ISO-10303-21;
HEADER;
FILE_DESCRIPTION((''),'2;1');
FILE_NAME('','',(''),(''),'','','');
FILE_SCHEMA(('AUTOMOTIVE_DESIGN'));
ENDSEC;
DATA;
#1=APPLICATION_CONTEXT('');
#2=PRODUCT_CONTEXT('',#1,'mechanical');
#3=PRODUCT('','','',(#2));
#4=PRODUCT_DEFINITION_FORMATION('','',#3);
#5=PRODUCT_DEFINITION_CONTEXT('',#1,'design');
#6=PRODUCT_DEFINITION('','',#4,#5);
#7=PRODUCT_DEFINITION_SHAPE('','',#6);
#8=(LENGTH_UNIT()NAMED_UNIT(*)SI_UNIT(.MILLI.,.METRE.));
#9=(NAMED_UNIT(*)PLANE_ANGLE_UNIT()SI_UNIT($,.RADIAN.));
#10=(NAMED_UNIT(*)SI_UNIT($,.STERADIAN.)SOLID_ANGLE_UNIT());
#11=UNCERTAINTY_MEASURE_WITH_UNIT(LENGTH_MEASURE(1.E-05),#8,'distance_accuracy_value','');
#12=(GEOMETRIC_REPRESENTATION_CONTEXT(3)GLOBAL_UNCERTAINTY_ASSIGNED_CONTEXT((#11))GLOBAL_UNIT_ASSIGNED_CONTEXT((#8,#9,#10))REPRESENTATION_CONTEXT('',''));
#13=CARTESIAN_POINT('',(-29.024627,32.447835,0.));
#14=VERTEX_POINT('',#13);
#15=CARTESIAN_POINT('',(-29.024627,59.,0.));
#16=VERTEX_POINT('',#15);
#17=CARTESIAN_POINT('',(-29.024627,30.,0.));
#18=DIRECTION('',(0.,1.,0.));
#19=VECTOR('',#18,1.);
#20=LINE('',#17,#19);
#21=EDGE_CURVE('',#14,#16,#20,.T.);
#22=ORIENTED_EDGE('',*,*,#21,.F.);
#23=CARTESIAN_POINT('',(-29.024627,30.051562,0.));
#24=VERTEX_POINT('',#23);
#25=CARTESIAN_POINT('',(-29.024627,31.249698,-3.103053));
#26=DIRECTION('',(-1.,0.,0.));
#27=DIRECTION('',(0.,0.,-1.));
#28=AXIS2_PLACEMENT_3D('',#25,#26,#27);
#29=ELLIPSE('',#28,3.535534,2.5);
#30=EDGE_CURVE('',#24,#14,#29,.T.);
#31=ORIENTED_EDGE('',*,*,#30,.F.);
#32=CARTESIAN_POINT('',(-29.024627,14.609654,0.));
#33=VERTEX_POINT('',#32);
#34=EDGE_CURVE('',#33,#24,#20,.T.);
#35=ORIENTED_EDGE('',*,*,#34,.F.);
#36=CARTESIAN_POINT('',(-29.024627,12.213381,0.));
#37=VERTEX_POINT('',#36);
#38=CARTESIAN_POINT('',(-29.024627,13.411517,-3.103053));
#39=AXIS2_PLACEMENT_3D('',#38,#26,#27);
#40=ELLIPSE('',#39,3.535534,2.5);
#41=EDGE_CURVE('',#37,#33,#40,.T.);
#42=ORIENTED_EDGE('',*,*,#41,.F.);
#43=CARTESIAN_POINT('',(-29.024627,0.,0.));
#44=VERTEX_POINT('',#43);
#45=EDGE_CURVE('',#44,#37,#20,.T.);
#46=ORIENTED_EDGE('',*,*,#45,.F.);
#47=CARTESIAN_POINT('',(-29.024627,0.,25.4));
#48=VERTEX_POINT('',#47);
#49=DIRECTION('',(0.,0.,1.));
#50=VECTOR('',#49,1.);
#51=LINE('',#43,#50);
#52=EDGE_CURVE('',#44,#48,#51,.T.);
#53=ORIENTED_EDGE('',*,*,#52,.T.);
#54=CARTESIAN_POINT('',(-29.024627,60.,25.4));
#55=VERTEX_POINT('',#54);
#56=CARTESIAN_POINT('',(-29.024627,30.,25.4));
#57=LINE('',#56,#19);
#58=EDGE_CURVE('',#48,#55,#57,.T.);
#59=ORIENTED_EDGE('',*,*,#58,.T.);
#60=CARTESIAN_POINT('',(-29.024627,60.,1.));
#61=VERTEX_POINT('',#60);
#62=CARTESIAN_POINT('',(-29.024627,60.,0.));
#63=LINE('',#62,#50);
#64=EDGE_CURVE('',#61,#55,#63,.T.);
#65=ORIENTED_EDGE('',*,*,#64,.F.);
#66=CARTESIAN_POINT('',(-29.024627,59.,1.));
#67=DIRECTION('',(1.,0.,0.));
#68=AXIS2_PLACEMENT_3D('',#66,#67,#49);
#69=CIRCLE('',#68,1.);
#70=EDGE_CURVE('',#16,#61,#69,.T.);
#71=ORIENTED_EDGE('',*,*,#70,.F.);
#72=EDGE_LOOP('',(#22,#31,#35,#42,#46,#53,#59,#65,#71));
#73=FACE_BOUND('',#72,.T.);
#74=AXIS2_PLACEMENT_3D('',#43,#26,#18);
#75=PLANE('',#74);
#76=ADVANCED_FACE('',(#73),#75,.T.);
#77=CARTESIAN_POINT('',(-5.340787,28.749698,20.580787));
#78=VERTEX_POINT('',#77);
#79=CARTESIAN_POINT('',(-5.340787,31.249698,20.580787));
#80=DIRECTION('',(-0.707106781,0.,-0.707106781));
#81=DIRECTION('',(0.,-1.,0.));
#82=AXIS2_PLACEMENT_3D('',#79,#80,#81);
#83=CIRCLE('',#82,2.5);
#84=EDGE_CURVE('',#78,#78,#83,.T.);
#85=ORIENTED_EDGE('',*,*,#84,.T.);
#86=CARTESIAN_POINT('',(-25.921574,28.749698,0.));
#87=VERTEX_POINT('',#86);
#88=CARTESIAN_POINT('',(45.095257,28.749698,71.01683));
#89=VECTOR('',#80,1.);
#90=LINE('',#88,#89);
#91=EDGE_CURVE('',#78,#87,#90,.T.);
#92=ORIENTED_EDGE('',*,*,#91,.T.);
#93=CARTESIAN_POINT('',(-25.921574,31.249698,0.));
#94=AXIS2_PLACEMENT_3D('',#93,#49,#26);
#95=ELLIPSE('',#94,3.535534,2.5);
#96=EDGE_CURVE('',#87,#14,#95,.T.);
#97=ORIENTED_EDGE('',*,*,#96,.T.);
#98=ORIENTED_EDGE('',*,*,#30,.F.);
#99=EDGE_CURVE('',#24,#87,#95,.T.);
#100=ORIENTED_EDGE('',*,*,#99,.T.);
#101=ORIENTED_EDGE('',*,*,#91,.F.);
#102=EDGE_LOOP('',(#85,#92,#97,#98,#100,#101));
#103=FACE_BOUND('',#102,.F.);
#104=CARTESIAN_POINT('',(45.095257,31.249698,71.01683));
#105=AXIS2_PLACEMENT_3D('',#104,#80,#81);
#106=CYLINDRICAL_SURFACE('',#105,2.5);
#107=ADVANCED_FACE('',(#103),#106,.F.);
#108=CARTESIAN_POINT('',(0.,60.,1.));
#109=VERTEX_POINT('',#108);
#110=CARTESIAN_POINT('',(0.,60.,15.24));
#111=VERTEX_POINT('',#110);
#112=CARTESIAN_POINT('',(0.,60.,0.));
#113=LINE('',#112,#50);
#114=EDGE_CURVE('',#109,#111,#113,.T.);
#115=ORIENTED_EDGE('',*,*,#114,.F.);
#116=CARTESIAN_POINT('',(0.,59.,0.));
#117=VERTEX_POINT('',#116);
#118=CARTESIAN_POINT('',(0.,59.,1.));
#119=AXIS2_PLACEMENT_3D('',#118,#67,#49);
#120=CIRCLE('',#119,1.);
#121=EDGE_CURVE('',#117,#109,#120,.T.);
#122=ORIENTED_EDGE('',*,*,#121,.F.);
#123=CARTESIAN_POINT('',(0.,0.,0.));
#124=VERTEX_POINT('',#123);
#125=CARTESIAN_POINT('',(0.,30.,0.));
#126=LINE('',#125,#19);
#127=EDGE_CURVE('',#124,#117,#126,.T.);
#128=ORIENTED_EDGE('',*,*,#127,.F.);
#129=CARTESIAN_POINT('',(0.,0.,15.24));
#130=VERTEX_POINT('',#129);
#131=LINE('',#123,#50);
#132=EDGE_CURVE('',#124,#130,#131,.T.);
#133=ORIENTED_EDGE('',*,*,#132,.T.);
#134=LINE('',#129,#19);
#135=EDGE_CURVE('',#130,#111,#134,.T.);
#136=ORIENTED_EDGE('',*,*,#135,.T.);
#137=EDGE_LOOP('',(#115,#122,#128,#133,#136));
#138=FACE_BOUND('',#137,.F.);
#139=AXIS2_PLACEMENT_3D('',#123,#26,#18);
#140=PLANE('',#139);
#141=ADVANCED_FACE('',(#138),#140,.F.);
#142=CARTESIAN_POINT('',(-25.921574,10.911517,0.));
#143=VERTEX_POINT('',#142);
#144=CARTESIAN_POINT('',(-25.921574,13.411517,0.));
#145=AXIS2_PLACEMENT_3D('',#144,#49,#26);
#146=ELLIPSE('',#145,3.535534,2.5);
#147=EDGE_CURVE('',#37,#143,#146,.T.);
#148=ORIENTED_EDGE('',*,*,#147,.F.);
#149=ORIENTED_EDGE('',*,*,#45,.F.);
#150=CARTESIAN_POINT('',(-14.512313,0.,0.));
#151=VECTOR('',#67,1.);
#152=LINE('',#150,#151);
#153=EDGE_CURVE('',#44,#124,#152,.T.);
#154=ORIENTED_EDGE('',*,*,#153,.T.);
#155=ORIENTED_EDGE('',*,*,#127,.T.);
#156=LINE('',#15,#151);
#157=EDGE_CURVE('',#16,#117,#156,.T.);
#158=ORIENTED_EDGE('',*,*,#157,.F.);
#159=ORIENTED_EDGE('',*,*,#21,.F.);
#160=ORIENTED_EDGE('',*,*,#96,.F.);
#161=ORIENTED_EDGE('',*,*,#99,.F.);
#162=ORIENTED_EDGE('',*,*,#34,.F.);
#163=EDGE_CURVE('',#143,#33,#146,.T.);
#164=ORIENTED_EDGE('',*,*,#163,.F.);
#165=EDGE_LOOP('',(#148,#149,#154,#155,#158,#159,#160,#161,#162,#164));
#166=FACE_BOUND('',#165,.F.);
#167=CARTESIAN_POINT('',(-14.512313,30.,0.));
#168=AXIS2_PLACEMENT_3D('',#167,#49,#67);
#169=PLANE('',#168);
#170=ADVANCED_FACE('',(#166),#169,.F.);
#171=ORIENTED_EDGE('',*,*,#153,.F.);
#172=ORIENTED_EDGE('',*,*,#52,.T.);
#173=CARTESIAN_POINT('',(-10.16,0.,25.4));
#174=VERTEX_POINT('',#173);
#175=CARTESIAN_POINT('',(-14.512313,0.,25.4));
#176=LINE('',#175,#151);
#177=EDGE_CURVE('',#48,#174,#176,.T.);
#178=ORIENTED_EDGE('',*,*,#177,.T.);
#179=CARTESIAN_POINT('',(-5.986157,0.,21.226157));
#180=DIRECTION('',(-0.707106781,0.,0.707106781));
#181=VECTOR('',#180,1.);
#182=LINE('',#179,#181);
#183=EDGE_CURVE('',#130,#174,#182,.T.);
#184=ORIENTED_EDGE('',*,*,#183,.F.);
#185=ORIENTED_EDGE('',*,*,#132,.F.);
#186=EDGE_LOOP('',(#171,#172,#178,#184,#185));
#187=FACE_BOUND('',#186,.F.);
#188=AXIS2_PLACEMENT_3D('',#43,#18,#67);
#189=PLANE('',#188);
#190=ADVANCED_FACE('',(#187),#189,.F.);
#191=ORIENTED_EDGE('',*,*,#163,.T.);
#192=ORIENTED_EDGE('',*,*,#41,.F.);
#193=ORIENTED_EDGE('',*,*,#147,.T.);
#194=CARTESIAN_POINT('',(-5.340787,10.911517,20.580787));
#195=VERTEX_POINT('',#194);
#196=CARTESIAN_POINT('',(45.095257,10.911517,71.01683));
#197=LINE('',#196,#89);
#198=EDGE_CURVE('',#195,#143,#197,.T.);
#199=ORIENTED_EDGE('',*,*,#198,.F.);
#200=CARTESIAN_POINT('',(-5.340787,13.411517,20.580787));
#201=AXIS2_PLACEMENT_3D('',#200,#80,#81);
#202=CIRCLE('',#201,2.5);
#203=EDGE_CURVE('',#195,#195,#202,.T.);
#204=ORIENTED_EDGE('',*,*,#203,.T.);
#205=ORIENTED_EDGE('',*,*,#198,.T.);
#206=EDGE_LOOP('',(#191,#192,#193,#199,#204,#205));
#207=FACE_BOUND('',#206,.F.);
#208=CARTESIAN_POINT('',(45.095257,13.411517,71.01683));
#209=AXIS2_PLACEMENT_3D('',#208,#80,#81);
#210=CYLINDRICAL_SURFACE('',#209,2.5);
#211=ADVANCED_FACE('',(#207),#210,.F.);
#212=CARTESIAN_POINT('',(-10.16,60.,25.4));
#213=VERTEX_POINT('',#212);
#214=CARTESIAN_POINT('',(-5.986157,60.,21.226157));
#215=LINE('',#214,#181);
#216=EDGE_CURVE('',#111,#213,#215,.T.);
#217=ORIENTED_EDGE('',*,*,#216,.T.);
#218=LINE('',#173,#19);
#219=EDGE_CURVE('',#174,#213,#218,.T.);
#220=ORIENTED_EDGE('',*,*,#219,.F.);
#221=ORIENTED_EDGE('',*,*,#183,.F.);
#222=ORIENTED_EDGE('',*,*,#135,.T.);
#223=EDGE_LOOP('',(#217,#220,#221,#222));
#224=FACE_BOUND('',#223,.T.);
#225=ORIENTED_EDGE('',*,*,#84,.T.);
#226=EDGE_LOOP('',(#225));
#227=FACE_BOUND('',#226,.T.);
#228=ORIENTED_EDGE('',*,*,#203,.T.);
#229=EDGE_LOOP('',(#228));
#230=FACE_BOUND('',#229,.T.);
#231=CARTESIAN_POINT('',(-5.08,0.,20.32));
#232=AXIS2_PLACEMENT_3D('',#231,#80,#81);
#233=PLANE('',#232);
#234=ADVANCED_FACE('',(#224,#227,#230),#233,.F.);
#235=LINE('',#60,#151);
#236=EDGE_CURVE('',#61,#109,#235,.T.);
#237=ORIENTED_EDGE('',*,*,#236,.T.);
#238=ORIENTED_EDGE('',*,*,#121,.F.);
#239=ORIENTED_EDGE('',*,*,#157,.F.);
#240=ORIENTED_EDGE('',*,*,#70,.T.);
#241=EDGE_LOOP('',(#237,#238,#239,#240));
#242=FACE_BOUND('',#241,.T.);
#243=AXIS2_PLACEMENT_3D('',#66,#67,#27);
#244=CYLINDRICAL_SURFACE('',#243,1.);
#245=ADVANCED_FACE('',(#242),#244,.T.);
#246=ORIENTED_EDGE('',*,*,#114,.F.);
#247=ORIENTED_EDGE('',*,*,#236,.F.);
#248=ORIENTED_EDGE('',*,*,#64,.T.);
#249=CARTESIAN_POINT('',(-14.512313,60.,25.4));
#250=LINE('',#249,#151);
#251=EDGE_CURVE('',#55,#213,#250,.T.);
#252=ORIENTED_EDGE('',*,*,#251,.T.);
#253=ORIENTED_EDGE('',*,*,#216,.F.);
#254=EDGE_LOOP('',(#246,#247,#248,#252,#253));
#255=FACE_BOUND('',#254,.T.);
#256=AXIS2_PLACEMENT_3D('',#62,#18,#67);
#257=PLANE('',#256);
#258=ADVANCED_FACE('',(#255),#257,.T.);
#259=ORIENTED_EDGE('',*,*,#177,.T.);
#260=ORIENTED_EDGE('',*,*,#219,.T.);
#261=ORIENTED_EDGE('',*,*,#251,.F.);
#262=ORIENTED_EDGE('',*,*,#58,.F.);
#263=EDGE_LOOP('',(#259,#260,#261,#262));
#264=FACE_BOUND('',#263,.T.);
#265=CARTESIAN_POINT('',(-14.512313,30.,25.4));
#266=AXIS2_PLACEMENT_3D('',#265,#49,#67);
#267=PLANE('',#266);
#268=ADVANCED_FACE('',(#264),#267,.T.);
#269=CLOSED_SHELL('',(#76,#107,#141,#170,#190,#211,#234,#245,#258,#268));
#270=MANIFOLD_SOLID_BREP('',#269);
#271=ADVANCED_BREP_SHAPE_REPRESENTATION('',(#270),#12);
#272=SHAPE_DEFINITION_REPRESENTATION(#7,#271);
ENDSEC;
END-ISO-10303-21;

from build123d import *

# Parameters (mm, degrees)
F0_W     = 29.0246267504
F0_H     = 60
F1_DEPTH = 25.4
F2_SIZE  = 10.16
F4_D     = 5
F5_R     = 1


with BuildPart() as f1:
    # F0 (on Top) → F1 (new body)
    with BuildSketch(Plane.XY):
        with Locations((-14.5123133752, 30)):
            Rectangle(F0_W, F0_H)
    extrude(amount=F1_DEPTH)

    # F2
    f2_edges = [f1.edges().sort_by_distance(p)[0] for p in [
        (0, 30, 25.4),
    ]]
    chamfer(f2_edges, length=F2_SIZE)

    # F4 (through all)
    with Locations(Plane(origin=(7.62, 0, 7.62), x_dir=(0, 1, 0), z_dir=(0.7071067812, 0, 0.7071067812))):
        with Locations((13.411517255, 18.3293204755), (31.2496982515, 18.3293204755)):
            Hole(F4_D / 2)

    # F5
    f5_edges = [f1.edges().sort_by_distance(p)[0] for p in [
        (-14.512313, 60, 0),
    ]]
    fillet(f5_edges, radius=F5_R)


solid = f1.part
